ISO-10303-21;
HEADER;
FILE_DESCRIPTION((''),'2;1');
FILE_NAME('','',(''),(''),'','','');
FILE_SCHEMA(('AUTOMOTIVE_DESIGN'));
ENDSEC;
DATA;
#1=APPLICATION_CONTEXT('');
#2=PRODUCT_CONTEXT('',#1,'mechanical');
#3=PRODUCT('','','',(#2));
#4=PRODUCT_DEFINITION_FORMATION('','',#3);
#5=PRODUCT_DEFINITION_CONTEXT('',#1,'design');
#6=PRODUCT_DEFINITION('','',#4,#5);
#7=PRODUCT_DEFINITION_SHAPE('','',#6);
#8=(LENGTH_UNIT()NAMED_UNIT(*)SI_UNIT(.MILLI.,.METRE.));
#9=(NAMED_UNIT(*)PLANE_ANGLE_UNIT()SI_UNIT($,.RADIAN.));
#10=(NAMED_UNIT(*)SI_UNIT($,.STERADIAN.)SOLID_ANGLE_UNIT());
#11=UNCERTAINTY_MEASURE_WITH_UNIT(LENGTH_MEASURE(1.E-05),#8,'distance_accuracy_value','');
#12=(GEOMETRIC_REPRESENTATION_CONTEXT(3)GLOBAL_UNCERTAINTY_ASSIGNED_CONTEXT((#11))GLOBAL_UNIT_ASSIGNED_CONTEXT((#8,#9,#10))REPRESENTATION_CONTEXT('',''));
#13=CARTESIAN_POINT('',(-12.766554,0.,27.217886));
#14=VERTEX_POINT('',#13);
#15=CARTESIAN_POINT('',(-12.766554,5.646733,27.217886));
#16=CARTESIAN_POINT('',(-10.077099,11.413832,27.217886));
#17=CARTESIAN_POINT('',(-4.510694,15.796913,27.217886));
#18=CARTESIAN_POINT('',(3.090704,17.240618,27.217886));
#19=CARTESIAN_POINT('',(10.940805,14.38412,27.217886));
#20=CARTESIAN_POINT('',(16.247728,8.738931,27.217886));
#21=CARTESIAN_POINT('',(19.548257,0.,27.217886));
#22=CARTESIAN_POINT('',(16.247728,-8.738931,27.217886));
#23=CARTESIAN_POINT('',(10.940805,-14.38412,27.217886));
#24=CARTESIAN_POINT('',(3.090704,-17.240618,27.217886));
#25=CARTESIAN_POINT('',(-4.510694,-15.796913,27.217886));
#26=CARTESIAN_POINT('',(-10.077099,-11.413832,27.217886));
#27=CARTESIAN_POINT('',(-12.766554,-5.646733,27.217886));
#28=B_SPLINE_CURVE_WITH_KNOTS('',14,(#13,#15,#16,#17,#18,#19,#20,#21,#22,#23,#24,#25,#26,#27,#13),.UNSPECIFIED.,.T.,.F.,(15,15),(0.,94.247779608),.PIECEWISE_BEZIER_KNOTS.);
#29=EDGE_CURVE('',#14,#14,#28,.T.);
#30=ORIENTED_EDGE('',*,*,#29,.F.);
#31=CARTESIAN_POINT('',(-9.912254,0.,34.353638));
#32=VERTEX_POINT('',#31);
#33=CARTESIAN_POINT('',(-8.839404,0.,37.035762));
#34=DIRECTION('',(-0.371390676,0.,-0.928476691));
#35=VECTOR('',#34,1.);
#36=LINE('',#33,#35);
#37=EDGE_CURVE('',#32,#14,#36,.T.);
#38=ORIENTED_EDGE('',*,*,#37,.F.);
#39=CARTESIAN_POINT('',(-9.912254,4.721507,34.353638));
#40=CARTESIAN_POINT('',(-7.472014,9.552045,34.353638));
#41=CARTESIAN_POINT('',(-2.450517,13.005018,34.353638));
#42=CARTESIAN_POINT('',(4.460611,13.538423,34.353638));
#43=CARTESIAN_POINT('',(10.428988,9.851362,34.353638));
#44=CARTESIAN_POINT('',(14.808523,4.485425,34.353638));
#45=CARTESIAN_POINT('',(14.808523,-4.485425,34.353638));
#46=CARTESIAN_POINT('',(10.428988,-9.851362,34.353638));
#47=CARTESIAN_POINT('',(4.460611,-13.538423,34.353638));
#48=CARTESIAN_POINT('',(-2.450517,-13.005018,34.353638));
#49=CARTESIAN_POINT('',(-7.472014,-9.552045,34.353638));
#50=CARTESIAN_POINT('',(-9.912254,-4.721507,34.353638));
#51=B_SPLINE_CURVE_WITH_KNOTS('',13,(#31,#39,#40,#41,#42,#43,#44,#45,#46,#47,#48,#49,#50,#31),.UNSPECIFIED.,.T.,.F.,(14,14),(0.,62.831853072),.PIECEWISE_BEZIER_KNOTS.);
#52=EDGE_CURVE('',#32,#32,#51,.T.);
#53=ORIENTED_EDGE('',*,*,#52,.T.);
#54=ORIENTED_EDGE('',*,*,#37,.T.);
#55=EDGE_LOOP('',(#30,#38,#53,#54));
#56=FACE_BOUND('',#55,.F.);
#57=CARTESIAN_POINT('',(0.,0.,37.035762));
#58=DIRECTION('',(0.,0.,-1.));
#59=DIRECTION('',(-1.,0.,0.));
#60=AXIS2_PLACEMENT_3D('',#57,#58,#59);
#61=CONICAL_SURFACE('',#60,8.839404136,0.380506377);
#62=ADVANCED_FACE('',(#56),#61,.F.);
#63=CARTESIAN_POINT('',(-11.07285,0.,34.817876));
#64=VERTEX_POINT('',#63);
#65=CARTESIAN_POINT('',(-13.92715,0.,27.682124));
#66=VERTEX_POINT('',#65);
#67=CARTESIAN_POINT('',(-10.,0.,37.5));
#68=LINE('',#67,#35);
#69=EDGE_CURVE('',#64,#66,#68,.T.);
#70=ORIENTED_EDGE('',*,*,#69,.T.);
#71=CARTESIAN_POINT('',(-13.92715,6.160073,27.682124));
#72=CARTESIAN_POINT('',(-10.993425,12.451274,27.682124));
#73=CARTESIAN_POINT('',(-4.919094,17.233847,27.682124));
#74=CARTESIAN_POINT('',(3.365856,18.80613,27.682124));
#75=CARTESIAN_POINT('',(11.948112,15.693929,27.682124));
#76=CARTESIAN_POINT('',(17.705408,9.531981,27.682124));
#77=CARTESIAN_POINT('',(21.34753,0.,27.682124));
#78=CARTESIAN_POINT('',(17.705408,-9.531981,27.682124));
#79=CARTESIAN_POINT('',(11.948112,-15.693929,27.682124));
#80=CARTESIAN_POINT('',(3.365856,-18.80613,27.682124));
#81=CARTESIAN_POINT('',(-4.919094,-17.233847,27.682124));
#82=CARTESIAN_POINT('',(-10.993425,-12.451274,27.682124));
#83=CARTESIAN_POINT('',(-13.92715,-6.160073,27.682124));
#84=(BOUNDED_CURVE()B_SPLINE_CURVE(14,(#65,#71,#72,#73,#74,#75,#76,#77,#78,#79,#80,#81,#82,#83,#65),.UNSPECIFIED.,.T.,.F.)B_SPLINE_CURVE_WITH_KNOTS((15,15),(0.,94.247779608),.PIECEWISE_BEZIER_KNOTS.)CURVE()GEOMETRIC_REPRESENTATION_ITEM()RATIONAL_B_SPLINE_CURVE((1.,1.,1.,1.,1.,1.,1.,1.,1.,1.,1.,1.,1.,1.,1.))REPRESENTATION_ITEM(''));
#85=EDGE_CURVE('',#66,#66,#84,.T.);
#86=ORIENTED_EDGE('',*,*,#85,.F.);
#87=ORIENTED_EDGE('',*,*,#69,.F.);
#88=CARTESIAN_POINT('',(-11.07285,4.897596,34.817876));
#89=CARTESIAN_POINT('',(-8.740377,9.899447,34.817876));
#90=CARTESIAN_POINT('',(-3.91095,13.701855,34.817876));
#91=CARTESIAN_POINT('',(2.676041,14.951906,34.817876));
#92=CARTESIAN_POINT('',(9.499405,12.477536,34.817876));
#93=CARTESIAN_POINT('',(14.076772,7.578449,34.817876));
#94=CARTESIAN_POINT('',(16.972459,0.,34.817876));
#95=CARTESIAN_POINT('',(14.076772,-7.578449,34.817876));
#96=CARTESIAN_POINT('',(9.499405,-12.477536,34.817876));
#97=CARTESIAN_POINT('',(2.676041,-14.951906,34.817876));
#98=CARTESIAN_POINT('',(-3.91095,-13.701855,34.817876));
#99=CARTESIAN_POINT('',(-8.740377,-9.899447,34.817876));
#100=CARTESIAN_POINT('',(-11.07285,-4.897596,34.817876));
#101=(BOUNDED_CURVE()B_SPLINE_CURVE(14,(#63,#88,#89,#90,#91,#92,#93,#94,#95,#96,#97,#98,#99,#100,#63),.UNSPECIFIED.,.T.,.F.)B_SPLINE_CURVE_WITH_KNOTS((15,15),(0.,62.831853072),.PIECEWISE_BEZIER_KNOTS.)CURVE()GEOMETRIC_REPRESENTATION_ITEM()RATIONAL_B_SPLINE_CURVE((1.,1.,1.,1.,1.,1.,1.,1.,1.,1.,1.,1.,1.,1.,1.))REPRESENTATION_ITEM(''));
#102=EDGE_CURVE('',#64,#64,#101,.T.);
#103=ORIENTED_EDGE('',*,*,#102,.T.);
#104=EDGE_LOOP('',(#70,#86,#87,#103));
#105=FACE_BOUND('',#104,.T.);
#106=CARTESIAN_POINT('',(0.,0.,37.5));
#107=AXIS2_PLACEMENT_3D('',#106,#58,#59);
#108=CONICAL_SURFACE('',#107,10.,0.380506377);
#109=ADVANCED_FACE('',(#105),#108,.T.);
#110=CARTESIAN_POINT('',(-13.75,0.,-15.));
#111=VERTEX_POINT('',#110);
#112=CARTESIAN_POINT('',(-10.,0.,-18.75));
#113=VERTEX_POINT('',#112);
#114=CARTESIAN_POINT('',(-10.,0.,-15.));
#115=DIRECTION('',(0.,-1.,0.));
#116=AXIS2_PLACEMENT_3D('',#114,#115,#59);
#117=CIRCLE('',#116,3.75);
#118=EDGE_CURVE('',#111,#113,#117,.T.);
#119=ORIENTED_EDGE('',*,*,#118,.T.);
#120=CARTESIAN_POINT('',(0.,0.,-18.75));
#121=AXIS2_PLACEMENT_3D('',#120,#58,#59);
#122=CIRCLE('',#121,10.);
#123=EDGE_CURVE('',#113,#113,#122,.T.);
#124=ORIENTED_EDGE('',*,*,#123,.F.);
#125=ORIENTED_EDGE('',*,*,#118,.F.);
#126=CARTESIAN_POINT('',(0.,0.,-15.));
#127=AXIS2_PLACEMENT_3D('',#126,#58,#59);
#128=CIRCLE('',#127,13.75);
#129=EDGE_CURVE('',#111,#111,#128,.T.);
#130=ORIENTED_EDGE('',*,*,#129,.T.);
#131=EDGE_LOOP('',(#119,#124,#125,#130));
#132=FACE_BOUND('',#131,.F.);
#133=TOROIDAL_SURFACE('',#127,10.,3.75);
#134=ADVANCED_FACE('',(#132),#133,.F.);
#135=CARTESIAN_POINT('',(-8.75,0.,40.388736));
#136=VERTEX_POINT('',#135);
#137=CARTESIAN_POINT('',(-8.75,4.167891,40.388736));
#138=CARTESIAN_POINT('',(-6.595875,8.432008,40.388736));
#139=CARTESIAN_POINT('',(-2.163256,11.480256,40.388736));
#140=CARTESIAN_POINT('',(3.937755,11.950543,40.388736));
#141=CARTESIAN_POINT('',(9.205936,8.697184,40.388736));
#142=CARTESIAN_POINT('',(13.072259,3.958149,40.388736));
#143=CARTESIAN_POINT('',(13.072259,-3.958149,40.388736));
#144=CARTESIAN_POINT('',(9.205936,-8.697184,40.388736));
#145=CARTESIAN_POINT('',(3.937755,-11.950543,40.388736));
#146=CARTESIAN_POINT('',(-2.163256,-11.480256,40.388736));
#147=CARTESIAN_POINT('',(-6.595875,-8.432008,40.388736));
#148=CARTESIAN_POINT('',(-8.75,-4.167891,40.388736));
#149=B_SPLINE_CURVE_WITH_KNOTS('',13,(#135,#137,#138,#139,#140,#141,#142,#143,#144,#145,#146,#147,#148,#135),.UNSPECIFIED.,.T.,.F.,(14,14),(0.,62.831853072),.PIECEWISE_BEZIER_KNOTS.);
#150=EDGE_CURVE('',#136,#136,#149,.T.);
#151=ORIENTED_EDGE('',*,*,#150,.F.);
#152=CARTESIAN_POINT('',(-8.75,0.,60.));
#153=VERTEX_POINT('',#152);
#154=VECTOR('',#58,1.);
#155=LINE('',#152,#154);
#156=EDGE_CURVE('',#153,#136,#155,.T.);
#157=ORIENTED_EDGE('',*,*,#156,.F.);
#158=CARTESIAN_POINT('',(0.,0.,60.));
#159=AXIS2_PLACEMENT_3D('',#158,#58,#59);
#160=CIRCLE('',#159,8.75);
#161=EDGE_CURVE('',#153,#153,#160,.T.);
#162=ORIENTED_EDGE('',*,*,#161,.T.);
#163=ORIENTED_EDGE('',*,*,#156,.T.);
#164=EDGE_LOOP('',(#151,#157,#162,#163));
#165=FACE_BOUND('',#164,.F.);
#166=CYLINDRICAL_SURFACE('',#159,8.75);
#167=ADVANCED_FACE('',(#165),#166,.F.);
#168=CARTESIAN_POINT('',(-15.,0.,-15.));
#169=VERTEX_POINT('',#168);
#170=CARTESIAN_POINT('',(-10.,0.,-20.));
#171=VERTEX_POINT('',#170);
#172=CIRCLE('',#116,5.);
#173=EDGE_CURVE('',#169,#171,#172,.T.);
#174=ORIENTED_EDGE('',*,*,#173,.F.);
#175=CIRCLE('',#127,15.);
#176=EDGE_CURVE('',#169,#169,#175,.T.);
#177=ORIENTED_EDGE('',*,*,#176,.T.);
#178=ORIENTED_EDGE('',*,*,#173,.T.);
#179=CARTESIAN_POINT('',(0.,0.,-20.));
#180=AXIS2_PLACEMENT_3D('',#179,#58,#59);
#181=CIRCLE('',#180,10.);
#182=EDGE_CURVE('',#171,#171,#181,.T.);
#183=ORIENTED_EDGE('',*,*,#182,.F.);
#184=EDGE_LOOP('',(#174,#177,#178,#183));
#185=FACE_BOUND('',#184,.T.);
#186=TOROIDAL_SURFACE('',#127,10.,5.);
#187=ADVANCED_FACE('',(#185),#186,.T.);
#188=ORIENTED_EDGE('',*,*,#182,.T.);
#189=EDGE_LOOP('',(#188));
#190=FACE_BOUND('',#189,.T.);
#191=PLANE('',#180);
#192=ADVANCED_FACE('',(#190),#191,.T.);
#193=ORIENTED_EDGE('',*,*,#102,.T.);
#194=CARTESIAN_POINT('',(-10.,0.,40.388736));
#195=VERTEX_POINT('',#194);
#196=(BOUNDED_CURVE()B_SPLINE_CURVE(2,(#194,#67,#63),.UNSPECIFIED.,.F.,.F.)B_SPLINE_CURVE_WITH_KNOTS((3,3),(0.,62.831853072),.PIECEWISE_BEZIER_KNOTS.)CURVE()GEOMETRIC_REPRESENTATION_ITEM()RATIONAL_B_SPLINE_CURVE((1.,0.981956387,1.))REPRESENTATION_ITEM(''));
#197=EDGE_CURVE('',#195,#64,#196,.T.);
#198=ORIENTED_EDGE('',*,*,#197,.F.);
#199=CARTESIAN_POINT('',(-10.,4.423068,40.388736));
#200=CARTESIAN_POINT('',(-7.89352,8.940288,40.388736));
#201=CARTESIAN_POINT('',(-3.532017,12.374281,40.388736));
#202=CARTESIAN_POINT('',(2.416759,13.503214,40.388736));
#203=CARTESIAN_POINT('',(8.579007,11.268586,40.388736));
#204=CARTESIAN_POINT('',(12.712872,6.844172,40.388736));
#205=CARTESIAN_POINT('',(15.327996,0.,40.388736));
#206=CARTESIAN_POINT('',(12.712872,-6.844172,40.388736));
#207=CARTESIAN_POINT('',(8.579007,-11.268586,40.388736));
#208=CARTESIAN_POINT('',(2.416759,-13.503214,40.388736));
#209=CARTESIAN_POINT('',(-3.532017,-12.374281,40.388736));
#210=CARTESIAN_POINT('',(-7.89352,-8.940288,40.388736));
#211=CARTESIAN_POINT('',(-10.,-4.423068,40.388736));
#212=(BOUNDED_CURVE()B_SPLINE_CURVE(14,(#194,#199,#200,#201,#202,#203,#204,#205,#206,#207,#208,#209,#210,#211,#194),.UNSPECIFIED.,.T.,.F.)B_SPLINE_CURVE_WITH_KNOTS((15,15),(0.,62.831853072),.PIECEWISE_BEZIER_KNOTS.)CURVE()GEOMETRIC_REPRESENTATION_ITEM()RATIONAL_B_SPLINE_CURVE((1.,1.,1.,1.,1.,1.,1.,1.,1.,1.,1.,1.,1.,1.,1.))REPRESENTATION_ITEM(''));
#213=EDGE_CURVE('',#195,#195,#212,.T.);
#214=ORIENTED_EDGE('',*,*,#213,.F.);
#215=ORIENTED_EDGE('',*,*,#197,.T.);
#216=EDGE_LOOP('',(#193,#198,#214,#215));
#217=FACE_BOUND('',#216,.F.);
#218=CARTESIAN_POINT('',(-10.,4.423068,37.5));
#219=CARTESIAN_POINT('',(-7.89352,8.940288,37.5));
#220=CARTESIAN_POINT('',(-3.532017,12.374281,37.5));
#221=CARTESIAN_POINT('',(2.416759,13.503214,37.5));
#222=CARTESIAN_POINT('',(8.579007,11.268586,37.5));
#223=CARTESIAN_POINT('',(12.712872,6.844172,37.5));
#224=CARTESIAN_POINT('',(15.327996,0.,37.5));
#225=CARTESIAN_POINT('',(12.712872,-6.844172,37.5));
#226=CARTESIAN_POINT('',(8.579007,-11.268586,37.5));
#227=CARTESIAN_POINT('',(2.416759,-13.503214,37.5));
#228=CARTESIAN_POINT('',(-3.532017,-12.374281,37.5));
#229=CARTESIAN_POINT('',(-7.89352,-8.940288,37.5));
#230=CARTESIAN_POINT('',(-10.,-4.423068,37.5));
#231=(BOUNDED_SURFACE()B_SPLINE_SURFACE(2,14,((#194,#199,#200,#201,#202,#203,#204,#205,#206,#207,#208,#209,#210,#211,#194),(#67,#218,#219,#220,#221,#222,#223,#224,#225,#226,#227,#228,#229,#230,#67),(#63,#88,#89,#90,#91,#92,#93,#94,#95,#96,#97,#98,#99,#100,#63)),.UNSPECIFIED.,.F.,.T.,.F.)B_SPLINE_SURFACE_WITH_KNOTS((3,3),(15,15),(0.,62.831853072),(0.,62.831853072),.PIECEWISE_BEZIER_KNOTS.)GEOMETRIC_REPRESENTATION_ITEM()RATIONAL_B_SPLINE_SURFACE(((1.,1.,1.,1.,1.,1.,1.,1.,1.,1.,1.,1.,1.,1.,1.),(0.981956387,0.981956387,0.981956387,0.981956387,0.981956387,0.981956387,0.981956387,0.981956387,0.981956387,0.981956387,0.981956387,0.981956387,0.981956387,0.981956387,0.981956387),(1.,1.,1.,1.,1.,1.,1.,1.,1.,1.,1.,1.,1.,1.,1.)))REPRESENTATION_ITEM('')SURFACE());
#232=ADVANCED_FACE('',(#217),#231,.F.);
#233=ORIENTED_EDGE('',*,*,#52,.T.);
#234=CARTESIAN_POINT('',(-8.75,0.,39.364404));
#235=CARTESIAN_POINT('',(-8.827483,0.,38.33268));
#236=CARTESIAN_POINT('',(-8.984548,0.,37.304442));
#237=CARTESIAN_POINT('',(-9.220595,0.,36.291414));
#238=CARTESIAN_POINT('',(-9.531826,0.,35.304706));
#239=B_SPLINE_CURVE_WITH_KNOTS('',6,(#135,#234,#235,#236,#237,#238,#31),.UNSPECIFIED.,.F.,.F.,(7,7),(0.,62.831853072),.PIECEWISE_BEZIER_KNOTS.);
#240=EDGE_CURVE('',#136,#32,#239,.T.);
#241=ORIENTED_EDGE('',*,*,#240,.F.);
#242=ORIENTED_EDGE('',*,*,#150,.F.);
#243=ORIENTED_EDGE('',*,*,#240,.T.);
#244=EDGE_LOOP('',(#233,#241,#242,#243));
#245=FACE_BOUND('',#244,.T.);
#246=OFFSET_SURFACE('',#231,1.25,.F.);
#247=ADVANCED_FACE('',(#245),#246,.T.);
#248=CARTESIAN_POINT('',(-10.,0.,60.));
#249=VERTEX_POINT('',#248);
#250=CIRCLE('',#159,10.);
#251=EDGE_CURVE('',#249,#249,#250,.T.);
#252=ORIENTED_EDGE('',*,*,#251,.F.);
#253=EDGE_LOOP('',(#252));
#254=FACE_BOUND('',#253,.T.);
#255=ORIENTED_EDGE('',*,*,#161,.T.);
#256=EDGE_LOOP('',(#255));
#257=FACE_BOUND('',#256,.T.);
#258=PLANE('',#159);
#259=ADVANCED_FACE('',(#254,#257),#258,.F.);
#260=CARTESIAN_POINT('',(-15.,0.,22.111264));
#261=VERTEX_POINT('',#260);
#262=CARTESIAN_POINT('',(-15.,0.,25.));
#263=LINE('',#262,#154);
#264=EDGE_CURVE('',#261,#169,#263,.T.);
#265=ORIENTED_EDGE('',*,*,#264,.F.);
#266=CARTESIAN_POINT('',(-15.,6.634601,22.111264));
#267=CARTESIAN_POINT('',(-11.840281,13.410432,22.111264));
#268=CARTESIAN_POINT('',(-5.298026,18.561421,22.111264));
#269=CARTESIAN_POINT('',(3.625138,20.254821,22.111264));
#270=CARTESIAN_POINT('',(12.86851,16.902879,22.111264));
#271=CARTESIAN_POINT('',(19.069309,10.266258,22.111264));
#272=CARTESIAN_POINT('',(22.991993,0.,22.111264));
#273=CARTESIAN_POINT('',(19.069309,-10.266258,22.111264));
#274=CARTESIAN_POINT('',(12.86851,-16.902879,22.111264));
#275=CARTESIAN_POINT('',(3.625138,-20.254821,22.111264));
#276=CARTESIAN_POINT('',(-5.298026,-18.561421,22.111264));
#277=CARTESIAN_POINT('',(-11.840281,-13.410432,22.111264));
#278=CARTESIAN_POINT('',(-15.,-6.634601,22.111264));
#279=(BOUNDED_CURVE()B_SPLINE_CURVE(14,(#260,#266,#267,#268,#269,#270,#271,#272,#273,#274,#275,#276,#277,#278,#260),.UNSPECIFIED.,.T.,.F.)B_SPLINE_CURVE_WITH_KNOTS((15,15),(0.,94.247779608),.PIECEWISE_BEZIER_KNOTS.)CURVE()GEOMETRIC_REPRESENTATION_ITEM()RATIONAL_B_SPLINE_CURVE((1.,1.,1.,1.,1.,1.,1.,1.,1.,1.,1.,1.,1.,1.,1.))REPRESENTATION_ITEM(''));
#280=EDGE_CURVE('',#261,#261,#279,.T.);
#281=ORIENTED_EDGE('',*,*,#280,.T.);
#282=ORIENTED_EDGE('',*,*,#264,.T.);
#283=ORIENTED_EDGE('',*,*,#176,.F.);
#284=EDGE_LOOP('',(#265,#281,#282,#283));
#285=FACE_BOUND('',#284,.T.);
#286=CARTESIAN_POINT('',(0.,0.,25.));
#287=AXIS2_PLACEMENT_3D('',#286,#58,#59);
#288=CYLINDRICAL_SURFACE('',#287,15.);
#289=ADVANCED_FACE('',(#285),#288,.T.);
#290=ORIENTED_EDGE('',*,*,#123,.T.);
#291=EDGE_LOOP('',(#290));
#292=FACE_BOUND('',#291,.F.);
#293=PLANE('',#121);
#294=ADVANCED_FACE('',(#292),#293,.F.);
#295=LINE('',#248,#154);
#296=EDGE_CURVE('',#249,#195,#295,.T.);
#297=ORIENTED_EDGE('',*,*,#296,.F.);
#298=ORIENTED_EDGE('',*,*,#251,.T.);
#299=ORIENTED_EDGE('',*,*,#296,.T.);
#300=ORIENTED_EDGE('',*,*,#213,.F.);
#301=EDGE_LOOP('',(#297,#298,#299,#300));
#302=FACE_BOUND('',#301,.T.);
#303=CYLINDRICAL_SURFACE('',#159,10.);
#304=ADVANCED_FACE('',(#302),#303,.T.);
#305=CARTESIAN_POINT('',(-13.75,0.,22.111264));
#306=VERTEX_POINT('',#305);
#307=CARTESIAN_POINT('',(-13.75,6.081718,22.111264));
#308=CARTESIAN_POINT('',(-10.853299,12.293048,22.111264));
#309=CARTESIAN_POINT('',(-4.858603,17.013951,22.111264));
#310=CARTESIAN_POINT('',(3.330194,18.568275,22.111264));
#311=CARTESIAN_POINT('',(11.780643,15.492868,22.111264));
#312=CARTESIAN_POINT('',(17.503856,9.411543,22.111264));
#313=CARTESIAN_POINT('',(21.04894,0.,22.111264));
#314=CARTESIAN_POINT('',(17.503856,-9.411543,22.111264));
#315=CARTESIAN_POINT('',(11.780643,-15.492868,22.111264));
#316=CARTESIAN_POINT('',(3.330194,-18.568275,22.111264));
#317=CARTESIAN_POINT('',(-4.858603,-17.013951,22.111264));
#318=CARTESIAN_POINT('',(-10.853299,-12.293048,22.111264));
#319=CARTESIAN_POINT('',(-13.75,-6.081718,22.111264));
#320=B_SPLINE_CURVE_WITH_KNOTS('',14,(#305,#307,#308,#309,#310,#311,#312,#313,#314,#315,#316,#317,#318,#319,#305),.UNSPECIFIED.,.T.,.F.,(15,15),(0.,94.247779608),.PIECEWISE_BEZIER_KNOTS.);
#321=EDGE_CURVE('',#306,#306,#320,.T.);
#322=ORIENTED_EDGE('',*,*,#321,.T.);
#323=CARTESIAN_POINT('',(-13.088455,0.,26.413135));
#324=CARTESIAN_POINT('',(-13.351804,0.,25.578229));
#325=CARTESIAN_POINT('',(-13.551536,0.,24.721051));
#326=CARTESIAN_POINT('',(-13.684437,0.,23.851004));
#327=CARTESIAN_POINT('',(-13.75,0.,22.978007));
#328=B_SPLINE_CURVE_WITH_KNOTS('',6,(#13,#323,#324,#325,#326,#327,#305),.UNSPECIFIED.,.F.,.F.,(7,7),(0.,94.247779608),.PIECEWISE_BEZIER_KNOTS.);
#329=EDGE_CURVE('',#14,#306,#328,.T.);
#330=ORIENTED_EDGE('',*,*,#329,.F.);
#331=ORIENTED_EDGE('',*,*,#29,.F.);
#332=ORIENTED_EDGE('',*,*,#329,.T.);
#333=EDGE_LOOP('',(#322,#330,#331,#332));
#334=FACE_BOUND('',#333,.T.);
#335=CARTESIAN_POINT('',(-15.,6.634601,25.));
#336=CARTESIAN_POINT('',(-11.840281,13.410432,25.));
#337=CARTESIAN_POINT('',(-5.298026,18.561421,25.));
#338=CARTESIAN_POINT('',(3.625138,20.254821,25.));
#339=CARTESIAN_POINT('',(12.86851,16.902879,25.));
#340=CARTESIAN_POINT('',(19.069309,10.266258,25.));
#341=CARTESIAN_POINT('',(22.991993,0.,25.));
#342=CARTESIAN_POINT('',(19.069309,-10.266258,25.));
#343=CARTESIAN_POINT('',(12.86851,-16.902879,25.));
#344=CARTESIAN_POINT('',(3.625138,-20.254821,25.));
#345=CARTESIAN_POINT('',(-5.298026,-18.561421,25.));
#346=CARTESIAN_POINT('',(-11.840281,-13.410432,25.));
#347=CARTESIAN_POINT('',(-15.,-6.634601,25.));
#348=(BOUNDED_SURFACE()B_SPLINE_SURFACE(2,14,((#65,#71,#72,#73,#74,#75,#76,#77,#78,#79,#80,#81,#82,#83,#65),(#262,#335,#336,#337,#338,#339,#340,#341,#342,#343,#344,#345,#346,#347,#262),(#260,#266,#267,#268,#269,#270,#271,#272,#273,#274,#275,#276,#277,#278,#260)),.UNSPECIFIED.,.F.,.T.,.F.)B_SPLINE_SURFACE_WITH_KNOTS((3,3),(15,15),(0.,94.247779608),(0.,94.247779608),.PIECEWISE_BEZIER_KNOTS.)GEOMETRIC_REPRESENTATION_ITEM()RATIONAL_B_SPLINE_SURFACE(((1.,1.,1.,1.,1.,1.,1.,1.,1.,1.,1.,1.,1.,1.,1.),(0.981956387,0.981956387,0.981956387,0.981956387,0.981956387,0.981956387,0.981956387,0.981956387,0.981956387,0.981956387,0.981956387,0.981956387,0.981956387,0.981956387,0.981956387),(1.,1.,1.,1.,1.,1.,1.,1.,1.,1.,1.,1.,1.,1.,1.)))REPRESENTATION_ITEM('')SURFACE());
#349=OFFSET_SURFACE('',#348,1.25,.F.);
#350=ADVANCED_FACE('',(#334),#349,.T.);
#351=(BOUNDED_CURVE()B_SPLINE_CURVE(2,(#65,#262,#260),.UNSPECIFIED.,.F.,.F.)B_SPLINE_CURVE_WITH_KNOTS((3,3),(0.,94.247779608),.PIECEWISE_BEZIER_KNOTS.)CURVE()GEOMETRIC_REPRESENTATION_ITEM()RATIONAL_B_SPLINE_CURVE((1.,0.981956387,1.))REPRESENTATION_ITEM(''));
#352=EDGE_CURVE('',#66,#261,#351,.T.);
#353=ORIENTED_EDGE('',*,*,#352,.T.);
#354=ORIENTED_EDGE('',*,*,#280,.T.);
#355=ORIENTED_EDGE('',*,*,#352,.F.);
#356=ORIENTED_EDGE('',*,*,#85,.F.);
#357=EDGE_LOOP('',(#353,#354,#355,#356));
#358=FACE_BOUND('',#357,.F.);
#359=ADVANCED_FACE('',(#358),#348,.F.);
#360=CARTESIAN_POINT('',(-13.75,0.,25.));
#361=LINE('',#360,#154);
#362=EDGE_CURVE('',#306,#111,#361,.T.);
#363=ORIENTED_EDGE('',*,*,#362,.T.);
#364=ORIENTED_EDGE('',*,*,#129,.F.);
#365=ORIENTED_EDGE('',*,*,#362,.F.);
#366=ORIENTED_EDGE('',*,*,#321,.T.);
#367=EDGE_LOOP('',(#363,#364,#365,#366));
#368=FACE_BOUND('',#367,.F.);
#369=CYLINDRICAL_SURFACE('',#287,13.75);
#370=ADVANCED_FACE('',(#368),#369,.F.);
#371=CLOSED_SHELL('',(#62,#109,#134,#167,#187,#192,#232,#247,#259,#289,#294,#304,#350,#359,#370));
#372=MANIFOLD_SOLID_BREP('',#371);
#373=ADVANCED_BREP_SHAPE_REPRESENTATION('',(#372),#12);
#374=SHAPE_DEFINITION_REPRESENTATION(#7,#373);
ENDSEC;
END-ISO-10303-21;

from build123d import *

# Parameters (mm, degrees)
F3_R = 15
F4_R = 5
F5_T = -1.25


with BuildPart() as f2:
    # F1 (on Front) → F2 (revolve)
    with BuildSketch(Plane.XZ):
        Polygon((-15, -20), (0, -20), (0, 20), (0, 60), (-10, 60), (-10, 37.5), (-15, 25), align=None)
    revolve(axis=Axis((0, 0, 0), (0, 0, -1)))

    # F3
    f3_edges = [f2.edges().sort_by_distance(p)[0] for p in [
        (15, 0, 25),
        (10, 0, 37.5),
    ]]
    fillet(f3_edges, radius=F3_R)

    # F4
    f4_edges = [f2.edges().sort_by_distance(p)[0] for p in [
        (15, 0, -20),
    ]]
    fillet(f4_edges, radius=F4_R)

    # F5
    f5_openings = [f2.faces().sort_by_distance(p)[0] for p in [
        (0, 0, 60),
    ]]
    offset(amount=F5_T, openings=f5_openings)


solid = f2.part
